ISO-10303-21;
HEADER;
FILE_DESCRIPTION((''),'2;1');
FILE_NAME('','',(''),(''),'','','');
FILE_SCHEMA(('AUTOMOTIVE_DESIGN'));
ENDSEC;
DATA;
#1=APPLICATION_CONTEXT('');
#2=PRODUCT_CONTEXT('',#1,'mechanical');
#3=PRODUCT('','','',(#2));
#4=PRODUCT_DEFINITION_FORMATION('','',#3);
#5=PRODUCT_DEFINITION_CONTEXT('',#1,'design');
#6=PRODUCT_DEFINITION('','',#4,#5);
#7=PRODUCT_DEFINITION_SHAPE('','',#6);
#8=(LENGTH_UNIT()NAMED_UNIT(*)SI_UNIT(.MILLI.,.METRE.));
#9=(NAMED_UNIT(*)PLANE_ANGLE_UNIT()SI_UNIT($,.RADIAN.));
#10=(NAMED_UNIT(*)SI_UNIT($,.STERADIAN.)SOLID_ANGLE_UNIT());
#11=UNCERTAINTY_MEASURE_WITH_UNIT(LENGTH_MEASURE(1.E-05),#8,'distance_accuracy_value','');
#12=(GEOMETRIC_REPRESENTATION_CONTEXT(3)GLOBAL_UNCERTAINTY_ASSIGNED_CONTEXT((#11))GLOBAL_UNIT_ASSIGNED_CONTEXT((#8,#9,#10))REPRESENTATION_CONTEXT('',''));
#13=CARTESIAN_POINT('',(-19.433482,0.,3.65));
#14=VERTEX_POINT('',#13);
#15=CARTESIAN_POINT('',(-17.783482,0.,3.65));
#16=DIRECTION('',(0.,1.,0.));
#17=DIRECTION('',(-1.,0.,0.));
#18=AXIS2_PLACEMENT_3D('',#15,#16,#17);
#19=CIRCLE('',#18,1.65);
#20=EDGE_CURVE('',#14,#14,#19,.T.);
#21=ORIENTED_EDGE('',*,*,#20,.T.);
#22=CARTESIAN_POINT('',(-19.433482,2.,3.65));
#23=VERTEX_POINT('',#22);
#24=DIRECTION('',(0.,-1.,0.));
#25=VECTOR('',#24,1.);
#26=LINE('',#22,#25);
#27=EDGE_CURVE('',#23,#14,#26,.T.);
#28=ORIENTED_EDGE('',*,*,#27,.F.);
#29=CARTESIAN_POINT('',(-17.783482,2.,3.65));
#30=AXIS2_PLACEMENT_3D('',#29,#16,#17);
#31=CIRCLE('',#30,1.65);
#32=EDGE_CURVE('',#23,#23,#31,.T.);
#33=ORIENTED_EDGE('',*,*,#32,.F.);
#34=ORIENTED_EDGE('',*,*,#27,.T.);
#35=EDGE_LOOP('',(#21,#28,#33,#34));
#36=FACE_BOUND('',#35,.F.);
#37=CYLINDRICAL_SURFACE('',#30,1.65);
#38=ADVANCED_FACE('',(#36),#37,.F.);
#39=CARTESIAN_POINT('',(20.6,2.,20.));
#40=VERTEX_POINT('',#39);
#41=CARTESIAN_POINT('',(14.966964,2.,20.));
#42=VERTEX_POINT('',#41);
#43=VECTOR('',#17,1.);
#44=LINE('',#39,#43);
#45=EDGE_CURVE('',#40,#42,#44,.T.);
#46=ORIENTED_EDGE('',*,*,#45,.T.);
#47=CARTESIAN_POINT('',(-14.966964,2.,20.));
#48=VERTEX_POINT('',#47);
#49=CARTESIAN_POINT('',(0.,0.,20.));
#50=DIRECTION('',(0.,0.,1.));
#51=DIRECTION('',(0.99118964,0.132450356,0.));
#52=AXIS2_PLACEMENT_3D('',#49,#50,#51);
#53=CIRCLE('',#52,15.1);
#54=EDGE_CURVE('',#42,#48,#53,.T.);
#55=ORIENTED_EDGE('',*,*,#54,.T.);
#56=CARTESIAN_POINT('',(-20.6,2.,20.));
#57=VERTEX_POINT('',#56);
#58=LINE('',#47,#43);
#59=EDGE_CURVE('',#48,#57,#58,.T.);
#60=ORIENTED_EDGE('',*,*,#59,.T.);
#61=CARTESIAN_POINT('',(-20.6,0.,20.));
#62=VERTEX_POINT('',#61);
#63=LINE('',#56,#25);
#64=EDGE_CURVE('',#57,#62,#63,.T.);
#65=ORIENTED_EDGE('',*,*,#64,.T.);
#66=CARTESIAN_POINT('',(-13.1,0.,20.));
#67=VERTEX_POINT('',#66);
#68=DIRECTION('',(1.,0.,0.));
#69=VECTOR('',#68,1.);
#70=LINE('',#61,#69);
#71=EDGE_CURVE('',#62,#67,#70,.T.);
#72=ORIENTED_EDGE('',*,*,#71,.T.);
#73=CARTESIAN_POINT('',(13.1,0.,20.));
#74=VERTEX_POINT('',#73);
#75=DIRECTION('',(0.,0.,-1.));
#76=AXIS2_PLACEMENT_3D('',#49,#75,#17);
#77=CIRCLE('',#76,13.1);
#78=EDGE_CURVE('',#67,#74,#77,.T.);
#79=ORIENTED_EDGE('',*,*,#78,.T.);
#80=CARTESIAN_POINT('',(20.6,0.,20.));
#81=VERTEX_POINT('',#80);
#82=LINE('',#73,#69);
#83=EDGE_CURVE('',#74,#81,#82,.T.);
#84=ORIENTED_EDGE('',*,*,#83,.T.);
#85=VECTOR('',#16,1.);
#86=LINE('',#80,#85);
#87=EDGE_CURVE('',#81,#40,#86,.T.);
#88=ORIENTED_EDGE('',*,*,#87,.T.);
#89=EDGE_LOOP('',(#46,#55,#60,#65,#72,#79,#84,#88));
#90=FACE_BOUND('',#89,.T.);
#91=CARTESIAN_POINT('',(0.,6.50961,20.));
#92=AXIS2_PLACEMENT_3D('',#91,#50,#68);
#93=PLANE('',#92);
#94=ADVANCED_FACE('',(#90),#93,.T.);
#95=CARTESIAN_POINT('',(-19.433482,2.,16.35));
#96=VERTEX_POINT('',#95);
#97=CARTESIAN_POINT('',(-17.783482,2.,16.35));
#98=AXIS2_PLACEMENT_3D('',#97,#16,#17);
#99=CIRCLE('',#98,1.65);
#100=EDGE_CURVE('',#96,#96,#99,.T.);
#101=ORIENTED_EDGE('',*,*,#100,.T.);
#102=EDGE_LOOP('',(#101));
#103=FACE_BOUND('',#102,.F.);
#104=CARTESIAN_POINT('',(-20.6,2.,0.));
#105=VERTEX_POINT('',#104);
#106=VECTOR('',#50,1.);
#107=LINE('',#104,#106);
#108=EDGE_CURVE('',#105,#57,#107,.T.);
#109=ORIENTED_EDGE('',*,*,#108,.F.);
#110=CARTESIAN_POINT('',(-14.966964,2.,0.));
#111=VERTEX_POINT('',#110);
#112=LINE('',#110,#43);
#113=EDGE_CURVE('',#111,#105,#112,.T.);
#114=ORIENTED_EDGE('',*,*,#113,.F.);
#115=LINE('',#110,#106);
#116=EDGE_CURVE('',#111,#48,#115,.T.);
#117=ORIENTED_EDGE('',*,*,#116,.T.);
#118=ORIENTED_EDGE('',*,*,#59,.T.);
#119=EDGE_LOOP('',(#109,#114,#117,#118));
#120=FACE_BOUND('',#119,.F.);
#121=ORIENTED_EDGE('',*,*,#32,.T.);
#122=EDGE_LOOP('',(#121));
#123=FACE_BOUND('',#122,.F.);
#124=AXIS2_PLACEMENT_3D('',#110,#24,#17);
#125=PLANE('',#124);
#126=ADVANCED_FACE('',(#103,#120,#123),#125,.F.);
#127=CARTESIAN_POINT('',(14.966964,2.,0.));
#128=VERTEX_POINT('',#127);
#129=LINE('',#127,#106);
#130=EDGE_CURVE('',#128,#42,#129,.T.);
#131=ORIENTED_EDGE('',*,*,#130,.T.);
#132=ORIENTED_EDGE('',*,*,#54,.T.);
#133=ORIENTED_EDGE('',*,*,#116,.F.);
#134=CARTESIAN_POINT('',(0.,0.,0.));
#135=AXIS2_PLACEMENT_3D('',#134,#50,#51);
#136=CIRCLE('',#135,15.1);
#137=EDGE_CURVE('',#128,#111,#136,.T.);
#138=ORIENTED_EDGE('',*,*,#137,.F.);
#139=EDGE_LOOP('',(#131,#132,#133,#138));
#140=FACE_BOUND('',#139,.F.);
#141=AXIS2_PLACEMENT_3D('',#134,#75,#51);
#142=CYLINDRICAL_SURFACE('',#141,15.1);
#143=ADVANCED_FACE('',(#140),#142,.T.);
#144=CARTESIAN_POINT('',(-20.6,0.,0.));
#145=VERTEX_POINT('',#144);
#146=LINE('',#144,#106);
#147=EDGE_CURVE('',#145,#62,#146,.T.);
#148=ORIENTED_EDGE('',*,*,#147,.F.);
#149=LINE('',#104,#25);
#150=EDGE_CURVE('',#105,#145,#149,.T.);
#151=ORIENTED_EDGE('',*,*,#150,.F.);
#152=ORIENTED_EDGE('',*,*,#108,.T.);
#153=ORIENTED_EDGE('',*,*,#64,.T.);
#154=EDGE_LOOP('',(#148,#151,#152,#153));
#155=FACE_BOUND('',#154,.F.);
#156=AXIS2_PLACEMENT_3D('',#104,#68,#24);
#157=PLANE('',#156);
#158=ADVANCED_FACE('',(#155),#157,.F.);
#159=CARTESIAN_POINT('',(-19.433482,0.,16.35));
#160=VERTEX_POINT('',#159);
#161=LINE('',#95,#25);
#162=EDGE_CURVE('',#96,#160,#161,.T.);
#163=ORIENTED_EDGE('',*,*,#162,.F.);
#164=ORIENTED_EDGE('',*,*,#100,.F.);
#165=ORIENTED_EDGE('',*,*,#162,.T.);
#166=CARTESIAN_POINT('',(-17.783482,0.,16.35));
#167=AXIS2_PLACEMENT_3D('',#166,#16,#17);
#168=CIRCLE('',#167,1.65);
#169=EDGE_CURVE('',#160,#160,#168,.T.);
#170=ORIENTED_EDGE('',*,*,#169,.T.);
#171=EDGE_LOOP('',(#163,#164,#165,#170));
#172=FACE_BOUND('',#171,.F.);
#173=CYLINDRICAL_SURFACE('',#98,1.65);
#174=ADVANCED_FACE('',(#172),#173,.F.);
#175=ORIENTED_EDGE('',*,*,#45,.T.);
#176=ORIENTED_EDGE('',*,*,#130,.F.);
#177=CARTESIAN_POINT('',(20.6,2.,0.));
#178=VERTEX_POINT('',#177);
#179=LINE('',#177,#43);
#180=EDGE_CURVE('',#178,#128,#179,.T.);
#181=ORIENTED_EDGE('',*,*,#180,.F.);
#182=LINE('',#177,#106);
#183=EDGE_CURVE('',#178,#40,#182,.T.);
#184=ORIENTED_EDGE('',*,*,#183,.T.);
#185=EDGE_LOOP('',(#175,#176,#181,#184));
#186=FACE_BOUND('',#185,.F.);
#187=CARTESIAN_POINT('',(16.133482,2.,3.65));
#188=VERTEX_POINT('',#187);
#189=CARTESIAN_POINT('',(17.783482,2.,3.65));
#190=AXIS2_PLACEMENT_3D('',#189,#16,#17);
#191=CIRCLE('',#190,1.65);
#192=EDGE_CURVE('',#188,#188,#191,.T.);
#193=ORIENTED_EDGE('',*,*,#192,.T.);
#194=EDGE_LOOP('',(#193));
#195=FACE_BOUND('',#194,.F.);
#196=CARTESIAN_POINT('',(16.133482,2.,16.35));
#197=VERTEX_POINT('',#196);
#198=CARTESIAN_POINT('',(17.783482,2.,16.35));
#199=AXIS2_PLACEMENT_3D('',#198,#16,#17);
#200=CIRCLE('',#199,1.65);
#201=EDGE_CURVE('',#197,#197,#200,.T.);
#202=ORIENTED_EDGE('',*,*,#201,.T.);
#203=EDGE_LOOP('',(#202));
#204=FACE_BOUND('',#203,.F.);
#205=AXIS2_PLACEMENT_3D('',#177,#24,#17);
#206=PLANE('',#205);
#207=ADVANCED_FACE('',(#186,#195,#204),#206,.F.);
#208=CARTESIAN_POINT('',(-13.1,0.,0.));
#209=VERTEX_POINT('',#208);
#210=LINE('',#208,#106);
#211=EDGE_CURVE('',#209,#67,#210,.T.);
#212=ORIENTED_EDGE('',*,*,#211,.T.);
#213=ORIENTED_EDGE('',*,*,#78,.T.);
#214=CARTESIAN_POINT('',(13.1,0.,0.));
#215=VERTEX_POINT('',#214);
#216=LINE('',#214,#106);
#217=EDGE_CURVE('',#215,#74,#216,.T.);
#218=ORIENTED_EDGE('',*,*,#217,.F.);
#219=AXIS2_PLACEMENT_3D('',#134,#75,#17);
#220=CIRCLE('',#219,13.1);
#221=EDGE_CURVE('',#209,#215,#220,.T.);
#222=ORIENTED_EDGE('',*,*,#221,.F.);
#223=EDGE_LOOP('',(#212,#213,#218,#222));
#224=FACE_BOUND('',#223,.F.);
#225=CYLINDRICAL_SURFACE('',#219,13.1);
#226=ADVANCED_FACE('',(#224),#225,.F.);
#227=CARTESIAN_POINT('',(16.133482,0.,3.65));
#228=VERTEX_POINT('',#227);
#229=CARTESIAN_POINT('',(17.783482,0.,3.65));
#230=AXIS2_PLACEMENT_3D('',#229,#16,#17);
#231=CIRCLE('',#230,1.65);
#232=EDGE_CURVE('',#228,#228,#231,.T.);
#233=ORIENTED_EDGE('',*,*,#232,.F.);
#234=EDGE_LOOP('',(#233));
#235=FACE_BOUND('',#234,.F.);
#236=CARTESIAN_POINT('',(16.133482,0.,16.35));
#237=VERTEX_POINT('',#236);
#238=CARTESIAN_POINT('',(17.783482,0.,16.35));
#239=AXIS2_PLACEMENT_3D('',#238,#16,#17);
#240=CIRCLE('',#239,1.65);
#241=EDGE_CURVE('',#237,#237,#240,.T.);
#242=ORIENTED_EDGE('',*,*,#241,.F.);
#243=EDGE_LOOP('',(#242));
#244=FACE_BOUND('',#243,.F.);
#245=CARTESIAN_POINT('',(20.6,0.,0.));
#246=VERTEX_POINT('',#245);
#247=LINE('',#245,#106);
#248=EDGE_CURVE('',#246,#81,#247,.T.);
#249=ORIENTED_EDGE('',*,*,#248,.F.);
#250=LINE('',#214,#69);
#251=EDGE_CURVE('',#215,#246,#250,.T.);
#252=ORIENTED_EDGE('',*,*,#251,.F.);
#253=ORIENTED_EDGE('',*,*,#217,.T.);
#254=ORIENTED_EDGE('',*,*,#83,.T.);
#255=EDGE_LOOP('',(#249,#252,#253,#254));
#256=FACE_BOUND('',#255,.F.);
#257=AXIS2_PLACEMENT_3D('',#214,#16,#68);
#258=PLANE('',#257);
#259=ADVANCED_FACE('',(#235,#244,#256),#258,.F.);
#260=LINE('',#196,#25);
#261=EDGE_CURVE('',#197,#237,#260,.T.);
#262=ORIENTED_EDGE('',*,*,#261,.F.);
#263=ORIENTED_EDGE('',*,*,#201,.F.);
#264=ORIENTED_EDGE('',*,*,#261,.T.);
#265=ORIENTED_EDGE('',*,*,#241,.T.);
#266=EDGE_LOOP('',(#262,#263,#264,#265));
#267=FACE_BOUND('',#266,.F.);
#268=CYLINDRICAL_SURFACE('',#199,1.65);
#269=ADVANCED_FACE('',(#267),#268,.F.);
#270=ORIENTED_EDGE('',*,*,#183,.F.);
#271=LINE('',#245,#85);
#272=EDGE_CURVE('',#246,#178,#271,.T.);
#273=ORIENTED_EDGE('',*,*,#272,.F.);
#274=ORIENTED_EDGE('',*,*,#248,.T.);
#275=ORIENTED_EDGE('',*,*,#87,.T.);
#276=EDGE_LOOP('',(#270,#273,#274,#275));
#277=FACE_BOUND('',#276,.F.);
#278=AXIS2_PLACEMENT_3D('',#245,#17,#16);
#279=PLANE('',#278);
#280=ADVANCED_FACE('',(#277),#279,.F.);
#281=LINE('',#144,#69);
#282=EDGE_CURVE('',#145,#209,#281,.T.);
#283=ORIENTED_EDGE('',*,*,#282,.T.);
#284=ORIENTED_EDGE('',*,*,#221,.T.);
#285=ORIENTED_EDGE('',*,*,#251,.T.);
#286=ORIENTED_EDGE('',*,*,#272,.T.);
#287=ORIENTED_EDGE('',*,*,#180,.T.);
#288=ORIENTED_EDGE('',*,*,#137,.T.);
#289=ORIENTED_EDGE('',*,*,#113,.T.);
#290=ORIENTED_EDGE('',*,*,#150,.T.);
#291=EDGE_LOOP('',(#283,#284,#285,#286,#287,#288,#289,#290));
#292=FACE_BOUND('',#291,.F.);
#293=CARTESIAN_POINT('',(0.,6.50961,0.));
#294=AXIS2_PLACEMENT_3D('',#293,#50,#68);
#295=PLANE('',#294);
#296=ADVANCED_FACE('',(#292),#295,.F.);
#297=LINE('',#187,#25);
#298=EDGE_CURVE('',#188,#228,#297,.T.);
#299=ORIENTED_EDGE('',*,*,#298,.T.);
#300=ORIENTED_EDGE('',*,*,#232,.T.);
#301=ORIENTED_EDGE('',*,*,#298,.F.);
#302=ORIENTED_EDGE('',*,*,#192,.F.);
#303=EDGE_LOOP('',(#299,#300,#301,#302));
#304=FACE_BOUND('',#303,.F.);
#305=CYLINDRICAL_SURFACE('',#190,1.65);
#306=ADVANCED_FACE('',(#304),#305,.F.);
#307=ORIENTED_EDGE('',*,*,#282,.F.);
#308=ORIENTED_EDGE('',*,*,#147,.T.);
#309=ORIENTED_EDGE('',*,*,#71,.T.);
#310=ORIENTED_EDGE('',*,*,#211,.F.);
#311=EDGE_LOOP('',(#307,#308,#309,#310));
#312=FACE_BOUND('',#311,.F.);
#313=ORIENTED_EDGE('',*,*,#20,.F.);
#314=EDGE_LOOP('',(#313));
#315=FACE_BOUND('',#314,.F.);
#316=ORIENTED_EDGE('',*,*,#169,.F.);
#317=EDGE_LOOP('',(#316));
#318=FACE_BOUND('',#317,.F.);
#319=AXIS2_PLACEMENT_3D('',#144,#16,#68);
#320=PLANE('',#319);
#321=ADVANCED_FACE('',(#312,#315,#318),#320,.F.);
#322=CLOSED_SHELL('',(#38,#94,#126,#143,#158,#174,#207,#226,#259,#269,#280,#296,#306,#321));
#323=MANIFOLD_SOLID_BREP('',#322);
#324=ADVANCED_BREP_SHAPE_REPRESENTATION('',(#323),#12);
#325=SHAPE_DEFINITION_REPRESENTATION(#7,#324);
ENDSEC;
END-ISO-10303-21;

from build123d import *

# Parameters (mm, degrees)
F1_DEPTH = 20
F3_R     = 1.65
F4_DEPTH = 25
F2_R     = 1.65
F5_DEPTH = 25


with BuildPart() as f1:
    # F0 (on Top) → F1 (new body)
    with BuildSketch(Plane.XY):
        with BuildLine():
            ThreePointArc((-13.1, 0), (0, 13.1), (13.1, 0))
            Line((13.1, 0), (20.6, 0))
            Line((20.6, 0), (20.6, 2))
            Line((20.6, 2), (14.966964, 2))
            ThreePointArc((14.966964, 2), (0, 15.1), (-14.966964, 2))
            Line((-14.966964, 2), (-20.6, 2))
            Line((-20.6, 2), (-20.6, 0))
            Line((-20.6, 0), (-13.1, 0))
        make_face()
    extrude(amount=F1_DEPTH)

    # F3 (on face) → F4 (cut)
    with BuildSketch(Plane(origin=(0, 2, 0), x_dir=(-1, 0, 0), z_dir=(0, 1, 0))):
        with Locations((17.783482, 16.35)):
            Circle(F3_R)
        with Locations((17.783482, 3.65)):
            Circle(F3_R)
    extrude(amount=-F4_DEPTH, mode=Mode.SUBTRACT)

    # F2 (on face) → F5 (cut)
    with BuildSketch(Plane(origin=(0, 2, 0), x_dir=(-1, 0, 0), z_dir=(0, 1, 0))):
        with Locations((-17.783482, 16.35)):
            Circle(F2_R)
        with Locations((-17.783482, 3.65)):
            Circle(F2_R)
    extrude(amount=-F5_DEPTH, mode=Mode.SUBTRACT)


solid = f1.part
